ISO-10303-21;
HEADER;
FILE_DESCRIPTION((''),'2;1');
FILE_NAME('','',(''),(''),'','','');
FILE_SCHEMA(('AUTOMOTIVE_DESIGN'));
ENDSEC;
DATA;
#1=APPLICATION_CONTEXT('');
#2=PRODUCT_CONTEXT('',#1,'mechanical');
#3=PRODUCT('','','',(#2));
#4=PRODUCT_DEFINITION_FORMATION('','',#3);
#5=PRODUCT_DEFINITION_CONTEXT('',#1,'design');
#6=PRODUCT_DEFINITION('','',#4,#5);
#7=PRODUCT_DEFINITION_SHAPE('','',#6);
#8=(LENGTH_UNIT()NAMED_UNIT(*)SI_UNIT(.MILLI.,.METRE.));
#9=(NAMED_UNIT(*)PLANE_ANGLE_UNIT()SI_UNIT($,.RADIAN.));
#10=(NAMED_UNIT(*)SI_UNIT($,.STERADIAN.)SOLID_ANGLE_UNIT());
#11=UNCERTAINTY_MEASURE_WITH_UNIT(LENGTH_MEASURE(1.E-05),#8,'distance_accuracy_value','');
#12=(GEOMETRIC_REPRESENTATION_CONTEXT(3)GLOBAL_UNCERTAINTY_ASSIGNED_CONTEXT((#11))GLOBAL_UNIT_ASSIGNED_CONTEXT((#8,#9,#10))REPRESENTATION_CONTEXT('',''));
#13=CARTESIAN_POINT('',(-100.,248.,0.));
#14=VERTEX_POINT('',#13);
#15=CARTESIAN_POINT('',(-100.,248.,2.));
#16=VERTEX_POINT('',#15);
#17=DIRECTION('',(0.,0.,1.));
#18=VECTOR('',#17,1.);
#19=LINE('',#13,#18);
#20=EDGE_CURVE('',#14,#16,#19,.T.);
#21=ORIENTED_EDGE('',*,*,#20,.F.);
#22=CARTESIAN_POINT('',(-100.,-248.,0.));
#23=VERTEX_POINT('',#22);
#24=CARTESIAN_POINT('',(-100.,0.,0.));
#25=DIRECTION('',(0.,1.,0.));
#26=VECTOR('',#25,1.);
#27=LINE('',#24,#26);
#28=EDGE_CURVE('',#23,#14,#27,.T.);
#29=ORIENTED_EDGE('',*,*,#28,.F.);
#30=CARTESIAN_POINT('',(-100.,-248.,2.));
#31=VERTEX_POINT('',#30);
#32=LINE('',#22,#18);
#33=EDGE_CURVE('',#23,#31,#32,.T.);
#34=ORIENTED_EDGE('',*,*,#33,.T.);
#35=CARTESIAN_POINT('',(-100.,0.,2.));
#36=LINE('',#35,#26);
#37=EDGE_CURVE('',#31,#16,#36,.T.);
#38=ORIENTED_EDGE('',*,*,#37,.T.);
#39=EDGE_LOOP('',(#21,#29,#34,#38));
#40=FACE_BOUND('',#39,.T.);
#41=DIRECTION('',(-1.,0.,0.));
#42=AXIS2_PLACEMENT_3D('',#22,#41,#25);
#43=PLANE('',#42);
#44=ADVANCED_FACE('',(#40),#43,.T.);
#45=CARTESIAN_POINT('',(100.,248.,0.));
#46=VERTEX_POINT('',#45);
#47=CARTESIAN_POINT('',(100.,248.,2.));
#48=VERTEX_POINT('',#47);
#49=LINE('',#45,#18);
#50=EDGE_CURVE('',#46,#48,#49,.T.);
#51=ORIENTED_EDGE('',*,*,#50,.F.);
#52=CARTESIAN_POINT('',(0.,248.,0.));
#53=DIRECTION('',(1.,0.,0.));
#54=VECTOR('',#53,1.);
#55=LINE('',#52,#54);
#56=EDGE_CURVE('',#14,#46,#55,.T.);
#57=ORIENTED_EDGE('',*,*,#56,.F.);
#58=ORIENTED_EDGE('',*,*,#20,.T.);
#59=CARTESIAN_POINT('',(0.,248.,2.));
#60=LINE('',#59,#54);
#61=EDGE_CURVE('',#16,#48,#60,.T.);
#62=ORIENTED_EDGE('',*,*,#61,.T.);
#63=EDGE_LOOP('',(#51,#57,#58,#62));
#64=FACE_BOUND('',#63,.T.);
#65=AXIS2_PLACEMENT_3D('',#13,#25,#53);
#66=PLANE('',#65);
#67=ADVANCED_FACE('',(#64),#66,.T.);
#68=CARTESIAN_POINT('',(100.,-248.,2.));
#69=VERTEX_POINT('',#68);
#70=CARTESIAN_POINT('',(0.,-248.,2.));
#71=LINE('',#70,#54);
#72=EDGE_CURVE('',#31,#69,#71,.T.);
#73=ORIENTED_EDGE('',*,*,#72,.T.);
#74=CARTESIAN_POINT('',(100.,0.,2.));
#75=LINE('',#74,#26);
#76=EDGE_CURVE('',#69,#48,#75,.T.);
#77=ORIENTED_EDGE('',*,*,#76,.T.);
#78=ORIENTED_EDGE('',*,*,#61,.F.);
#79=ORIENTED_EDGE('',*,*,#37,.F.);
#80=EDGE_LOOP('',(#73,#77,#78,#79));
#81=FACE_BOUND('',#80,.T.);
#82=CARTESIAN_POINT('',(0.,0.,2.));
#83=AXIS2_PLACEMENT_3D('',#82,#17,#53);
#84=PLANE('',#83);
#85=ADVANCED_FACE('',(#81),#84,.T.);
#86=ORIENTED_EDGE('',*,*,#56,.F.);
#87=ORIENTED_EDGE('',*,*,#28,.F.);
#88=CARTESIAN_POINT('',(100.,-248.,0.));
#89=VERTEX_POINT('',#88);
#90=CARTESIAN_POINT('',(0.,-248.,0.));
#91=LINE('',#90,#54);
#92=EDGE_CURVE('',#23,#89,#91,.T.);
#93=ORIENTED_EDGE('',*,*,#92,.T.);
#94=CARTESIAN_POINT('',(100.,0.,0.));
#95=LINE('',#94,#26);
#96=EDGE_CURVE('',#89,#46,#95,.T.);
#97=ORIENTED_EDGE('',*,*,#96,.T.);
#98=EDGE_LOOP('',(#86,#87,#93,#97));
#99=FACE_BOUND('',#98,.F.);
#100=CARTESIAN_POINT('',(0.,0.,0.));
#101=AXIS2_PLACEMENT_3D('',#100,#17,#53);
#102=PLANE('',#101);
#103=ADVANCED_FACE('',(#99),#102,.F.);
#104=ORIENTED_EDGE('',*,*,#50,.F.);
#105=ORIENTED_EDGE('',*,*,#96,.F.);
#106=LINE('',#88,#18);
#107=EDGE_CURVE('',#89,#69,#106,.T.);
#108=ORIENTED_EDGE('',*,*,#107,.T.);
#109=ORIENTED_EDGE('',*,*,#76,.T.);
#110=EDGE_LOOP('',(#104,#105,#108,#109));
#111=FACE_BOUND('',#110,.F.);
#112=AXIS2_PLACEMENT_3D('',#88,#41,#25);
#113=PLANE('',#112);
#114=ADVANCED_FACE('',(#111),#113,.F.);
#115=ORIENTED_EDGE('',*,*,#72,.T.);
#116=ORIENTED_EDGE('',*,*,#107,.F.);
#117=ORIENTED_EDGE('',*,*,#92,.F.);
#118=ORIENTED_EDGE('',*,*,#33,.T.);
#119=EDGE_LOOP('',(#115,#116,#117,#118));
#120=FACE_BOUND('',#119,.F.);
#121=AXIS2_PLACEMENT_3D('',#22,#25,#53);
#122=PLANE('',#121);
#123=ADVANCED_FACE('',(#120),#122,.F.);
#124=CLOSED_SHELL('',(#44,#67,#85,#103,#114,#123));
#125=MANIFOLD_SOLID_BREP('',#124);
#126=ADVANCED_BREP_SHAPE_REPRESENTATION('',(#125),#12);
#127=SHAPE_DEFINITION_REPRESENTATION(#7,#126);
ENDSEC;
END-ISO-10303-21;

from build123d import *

# Parameters (mm, degrees)
SKETCH1_W           = 200
SKETCH1_H           = 496
BOSS_EXTRUDE1_DEPTH = 2


with BuildPart() as part:
    # Sketch1 → Boss-Extrude1 (new body)
    with BuildSketch(Plane.XY):
        Rectangle(SKETCH1_W, SKETCH1_H)
    extrude(amount=BOSS_EXTRUDE1_DEPTH)


solid = part.part
